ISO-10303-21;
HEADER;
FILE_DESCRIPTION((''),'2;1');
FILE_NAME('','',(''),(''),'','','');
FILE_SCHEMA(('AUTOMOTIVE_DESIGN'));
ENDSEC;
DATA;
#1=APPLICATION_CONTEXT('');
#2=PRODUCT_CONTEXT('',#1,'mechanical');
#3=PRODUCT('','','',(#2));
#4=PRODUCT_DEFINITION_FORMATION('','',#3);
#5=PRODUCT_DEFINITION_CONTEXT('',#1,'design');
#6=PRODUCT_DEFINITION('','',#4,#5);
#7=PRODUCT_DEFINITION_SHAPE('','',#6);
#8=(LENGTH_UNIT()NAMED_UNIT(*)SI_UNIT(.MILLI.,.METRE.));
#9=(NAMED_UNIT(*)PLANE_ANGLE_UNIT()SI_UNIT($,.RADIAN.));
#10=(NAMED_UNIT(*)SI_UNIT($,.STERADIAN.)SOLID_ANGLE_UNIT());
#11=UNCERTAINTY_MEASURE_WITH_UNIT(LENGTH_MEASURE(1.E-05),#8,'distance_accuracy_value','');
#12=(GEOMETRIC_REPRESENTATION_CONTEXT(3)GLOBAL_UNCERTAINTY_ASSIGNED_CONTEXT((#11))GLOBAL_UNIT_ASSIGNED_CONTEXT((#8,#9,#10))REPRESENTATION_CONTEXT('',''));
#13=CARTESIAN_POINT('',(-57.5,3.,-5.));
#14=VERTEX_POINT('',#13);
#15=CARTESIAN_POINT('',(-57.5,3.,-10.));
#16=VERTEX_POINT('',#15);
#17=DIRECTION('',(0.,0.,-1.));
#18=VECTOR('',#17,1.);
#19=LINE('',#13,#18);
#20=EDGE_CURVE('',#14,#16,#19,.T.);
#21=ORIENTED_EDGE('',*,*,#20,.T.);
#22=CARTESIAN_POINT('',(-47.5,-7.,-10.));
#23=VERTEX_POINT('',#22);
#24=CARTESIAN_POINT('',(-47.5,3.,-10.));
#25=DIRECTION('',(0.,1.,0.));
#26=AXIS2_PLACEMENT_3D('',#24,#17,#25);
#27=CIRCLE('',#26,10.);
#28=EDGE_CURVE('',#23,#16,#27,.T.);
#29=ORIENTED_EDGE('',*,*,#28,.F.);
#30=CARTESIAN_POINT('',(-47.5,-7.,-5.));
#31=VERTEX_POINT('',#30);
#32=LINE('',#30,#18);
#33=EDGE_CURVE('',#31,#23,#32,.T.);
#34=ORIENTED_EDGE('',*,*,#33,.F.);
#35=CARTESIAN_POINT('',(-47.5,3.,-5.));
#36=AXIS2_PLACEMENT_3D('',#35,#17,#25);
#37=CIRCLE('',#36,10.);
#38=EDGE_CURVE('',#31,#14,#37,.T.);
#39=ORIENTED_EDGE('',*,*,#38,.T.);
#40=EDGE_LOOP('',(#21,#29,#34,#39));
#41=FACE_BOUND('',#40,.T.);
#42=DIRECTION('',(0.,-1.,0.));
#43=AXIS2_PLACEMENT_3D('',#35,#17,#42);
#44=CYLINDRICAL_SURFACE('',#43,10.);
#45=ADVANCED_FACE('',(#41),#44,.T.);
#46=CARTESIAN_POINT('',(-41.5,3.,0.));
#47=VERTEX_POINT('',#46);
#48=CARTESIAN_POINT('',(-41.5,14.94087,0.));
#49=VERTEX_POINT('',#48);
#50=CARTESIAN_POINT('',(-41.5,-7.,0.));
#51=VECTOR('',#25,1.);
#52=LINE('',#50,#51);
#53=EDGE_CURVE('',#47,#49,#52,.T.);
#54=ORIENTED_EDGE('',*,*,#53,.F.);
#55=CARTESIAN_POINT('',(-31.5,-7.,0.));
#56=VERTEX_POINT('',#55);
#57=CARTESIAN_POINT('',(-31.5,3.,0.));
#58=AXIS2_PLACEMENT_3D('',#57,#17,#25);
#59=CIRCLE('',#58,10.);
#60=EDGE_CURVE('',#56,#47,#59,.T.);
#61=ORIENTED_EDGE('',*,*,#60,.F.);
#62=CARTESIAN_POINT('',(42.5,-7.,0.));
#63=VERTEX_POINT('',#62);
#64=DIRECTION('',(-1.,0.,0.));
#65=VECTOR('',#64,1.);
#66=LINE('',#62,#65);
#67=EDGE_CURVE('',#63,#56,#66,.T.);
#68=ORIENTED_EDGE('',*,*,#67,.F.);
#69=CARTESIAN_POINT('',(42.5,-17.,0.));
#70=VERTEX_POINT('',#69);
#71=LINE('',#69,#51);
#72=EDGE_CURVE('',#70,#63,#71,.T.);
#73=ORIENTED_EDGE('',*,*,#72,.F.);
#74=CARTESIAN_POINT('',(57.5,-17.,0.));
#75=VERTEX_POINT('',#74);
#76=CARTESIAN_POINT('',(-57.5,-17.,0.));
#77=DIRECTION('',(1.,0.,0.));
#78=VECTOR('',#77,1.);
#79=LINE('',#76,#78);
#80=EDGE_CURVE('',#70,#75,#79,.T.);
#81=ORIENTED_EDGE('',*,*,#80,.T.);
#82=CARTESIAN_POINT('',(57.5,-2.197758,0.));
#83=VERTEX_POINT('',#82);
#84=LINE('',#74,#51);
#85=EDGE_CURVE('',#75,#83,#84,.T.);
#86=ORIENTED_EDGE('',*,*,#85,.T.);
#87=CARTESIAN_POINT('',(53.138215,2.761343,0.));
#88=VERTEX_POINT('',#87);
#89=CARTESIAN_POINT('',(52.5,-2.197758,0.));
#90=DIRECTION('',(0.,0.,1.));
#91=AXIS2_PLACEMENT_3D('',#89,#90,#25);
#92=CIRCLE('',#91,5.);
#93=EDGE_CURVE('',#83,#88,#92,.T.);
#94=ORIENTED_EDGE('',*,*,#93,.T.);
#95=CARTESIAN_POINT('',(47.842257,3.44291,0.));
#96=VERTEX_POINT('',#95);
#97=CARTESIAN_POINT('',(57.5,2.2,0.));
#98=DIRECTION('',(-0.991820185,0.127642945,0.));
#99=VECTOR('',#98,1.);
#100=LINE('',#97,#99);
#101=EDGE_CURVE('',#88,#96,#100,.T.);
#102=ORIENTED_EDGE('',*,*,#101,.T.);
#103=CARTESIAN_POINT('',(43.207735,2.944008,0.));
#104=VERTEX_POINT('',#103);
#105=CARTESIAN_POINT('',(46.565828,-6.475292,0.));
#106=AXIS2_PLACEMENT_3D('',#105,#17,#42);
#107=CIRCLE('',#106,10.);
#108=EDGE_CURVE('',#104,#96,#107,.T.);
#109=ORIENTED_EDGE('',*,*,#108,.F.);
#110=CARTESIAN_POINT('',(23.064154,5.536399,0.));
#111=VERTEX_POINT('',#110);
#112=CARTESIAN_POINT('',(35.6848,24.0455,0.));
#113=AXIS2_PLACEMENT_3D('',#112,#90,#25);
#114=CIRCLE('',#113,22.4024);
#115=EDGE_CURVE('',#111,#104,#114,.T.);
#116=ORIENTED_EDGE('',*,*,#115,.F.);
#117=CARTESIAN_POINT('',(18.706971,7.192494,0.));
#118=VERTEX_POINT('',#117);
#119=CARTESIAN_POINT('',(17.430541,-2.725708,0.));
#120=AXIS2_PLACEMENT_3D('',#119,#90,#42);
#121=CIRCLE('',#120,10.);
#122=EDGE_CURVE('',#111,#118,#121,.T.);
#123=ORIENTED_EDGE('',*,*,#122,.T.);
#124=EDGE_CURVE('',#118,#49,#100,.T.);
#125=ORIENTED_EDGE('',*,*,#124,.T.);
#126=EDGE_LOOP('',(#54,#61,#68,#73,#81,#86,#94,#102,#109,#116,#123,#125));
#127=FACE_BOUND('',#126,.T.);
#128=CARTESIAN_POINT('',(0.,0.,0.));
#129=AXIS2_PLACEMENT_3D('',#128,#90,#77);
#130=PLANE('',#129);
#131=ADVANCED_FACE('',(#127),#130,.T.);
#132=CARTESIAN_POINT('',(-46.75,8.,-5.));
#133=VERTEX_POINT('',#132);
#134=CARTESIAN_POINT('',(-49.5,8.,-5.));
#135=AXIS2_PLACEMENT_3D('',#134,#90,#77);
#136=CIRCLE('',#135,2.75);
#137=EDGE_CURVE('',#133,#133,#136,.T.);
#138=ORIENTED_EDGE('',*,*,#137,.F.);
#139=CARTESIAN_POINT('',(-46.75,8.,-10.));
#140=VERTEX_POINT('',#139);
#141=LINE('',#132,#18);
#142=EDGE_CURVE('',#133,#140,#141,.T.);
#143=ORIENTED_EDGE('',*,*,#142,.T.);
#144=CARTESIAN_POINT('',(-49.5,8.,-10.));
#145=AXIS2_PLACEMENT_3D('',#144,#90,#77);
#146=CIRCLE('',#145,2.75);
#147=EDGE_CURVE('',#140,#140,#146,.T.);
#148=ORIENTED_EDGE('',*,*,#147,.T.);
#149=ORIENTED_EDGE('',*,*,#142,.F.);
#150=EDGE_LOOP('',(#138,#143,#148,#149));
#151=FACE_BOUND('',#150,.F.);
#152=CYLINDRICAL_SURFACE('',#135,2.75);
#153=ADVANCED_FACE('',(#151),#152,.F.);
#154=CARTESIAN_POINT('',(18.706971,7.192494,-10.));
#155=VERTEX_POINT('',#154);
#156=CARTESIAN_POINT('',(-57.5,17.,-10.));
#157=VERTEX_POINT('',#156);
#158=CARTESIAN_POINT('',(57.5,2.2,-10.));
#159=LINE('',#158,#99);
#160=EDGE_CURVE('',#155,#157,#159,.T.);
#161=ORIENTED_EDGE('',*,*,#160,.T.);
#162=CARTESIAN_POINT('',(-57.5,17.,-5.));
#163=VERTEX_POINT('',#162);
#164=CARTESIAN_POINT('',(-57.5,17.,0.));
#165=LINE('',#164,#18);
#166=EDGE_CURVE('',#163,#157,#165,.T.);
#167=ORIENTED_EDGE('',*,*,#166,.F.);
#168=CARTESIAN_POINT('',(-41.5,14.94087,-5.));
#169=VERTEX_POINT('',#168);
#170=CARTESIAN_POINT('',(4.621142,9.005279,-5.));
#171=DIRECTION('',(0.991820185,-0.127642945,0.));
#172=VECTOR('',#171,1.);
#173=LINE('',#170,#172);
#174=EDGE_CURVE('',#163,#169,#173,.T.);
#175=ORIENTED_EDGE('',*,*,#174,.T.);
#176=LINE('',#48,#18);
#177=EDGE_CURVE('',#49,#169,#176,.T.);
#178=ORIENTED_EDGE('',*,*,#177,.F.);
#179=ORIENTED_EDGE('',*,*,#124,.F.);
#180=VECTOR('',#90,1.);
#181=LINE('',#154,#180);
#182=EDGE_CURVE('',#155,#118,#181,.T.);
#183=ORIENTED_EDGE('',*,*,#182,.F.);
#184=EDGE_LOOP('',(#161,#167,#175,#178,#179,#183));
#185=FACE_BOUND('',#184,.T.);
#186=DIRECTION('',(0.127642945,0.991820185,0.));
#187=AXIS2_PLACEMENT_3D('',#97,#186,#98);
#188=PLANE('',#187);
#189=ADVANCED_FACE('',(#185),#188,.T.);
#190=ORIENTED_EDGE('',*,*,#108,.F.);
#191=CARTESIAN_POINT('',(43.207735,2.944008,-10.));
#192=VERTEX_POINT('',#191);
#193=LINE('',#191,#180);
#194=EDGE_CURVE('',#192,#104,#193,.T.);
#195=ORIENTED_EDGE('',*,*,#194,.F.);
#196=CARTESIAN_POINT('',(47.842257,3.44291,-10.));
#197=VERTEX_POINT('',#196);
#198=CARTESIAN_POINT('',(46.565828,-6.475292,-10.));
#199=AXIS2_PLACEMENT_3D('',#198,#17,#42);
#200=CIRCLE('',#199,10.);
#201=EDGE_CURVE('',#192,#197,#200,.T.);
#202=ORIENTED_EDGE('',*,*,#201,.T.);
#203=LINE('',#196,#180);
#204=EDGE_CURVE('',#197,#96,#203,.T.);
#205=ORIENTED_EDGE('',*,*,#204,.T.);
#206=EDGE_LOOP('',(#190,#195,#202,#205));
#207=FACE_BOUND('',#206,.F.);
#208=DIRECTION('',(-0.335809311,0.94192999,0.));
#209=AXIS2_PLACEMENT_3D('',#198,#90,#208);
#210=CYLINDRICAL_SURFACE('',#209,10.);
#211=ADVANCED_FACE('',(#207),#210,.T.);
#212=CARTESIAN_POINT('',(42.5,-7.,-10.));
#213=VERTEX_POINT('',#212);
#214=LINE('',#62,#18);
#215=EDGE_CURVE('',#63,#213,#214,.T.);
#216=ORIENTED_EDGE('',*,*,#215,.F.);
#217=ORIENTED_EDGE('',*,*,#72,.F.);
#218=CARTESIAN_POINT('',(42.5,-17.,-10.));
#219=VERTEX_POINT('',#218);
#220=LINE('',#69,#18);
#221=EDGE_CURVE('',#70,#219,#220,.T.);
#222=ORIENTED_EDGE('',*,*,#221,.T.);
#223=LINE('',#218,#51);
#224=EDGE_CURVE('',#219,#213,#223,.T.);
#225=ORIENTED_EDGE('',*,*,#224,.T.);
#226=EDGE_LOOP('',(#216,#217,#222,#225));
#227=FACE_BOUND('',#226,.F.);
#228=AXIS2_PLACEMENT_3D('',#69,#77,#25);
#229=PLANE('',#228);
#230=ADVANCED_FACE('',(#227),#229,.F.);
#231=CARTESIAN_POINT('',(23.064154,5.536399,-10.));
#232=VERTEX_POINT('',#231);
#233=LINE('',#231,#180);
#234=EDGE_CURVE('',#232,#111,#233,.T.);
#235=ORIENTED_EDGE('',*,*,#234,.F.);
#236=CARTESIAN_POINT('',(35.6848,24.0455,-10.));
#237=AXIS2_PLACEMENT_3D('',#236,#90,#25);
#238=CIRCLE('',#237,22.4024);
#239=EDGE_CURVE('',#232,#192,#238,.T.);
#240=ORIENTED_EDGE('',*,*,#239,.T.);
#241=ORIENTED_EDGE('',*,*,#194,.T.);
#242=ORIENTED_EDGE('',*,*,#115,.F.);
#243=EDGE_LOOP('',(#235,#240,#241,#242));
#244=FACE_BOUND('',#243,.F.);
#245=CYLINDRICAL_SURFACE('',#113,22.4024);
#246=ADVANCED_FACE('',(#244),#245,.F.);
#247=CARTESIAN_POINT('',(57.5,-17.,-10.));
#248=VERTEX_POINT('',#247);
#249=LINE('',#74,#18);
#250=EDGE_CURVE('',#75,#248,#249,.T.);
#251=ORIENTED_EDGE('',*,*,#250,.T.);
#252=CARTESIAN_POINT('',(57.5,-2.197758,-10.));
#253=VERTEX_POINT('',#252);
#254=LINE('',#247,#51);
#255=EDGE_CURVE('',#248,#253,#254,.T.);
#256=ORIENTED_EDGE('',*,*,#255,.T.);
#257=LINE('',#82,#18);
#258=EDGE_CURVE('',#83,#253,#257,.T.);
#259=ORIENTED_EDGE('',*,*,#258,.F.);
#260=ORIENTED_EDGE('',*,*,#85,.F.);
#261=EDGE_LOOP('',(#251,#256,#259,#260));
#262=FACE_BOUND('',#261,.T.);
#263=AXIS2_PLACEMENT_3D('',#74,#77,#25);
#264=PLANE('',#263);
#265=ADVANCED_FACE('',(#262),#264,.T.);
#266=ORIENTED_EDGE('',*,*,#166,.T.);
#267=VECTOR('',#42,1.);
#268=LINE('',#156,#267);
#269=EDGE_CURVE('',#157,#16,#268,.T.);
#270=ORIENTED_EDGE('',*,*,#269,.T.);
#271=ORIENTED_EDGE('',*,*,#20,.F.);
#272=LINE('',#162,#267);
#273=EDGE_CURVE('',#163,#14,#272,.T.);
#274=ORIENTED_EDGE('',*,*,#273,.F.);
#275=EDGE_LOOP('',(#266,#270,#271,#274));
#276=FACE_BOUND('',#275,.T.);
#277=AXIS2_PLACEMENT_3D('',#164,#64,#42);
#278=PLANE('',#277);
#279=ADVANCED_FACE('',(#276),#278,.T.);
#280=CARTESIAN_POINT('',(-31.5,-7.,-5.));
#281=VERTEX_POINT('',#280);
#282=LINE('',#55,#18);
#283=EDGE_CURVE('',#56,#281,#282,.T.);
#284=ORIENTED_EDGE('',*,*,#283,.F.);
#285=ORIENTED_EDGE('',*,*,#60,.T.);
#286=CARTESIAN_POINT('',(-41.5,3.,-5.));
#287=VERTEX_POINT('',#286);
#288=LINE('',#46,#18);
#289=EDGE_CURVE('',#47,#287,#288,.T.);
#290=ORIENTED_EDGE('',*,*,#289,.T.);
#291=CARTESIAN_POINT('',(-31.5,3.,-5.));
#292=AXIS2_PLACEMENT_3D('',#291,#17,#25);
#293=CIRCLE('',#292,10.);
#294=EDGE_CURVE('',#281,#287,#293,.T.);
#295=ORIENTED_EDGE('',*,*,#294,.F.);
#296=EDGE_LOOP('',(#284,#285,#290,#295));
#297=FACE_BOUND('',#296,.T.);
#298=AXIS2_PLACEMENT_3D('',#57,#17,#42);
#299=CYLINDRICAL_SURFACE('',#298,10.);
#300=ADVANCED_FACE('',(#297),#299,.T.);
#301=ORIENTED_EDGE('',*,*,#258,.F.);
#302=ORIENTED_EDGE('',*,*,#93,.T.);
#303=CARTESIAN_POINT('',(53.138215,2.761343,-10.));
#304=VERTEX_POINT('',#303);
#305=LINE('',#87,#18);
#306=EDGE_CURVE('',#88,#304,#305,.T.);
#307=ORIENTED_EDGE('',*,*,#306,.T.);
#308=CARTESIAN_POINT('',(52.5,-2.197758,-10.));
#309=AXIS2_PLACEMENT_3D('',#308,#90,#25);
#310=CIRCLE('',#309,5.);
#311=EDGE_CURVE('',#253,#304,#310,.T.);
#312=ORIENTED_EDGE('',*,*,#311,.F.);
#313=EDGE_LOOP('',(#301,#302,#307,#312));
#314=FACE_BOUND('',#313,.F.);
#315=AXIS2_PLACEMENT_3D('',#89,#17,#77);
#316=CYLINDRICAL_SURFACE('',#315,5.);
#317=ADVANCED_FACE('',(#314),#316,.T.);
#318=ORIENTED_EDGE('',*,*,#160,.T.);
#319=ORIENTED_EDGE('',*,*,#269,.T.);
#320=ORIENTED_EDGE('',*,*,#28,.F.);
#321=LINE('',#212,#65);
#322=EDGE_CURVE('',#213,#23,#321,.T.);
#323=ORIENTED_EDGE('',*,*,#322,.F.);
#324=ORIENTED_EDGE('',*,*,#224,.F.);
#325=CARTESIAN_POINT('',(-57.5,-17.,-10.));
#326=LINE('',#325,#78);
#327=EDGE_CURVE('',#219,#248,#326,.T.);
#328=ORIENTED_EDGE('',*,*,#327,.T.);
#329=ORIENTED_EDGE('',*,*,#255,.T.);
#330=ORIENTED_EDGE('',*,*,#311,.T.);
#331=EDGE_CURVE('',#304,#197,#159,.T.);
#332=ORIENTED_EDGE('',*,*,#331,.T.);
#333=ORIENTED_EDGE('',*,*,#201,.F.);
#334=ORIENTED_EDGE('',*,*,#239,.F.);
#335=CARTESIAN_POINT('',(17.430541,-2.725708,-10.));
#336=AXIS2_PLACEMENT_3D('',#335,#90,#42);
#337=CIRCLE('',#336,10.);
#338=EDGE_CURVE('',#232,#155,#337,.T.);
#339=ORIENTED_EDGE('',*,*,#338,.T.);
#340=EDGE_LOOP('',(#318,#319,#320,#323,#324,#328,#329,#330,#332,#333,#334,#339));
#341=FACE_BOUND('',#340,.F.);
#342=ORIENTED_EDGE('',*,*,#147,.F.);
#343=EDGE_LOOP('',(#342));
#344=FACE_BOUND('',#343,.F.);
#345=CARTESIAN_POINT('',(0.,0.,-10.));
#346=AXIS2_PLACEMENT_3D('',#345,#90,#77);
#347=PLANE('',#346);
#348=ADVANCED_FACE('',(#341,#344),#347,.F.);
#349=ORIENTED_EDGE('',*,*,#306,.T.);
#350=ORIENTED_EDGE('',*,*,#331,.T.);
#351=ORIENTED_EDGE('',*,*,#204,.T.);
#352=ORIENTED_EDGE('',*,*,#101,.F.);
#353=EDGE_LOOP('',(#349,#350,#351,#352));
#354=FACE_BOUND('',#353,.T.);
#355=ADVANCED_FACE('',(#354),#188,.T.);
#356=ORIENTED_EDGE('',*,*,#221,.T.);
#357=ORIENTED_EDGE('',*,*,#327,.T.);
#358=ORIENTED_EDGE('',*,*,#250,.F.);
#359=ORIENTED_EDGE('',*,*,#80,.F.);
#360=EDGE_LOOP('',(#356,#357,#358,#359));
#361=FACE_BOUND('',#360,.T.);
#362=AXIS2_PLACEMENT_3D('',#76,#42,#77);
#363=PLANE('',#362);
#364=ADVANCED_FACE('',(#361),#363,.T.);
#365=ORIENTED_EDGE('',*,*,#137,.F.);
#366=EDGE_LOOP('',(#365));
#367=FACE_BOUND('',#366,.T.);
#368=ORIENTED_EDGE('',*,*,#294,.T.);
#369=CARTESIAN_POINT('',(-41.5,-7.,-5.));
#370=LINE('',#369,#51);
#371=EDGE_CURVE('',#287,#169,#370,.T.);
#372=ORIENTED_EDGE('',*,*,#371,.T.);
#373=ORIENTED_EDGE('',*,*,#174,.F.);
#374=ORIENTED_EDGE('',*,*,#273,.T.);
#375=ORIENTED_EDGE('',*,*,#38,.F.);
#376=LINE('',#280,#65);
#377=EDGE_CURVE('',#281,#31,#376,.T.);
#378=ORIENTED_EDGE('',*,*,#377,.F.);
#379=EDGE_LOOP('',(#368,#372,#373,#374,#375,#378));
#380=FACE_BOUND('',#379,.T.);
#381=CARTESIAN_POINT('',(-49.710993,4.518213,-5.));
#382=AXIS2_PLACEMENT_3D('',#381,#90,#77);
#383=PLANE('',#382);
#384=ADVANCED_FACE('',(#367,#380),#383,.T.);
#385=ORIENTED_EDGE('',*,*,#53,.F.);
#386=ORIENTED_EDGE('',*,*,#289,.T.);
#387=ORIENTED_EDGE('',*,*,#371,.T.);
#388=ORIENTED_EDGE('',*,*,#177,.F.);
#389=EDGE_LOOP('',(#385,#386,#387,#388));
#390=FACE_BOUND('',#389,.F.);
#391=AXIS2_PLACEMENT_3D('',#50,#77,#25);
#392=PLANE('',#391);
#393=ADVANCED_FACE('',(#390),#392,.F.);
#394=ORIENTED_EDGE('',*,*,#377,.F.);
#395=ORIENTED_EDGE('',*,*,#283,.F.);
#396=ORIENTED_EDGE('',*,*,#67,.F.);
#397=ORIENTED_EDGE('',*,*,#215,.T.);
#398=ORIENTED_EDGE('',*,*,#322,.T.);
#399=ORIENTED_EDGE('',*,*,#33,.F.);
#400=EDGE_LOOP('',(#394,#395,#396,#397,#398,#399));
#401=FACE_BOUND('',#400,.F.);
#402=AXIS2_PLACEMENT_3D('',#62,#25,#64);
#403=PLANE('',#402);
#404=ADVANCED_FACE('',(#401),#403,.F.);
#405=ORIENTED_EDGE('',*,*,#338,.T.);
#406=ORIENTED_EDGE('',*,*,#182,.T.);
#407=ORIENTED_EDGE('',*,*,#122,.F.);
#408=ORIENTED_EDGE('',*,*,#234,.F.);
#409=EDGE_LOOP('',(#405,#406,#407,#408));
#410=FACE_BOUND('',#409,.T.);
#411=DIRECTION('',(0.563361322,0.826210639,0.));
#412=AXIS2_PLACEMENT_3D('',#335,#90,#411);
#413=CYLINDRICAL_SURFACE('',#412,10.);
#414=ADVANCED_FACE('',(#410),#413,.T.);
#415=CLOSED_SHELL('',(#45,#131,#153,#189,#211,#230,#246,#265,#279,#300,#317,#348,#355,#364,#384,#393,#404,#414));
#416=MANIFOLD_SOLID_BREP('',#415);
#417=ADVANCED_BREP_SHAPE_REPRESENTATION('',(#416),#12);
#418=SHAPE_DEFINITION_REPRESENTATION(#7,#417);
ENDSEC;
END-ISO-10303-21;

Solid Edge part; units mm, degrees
sketch "Sketch1" plane through (0, 0, 0) normal (0, 0, 1) x (1, 0, 0)
  line L0 (-57.5, -17) -> (57.5, -17)
  line L1 (57.5, -17) -> (57.5, 17)
  line L2 (57.5, 17) -> (-57.5, 17)
  line L3 (-57.5, 17) -> (-57.5, -17)
extrude "Protrusion1" add sketch "Sketch1" against normal blind 10
sketch "Sketch2" plane through (0, 0, 0) normal (0, 0, 1) x (1, 0, 0)
  line L0 (-57.5, -17) -> (42.5, -17)
  line L1 (42.5, -17) -> (42.5, -7)
  line L2 (42.5, -7) -> (-57.5, -7)
  line L3 (-57.5, -7) -> (-57.5, -17)
extrude "ExtrudedCutout_1" cut sketch "Sketch2" against normal blind 10
sketch "Sketch3" plane through (0, 0, 0) normal (0, 0, 1) x (1, 0, 0)
  line L0 (57.5, 2.2) -> (-57.5, 17)
  line L1 (-57.5, 17) -> (57.5, 17)
  line L2 (57.5, 17) -> (57.5, 2.2)
extrude "ExtrudedCutout_2" cut sketch "Sketch3" against normal blind 10
fillet "Round_1" radius 5 1 edges at (57.5, 2.2, -5)
sketch "Sketch4" plane through (0, 0, 0) normal (0, 0, 1) x (0, 1, 0)
  circle A0 centre (24.0455, -35.6848) radius 22.4024
extrude "ExtrudedCutout_3" cut sketch "Sketch4" against normal blind 10
fillet "Round_2" radius 10 1 edges at (45.2312, 3.7789, -5)
fillet "Round_3" radius 10 1 edges at (21.318, 6.8565, -5)
sketch "Sketch5" plane through (0, 0, 0) normal (0, 0, 1) x (1, 0, 0)
  line L0 (-57.5, -7) -> (-41.5, -7)
  line L1 (-41.5, -7) -> (-41.5, 14.9409)
  line L2 (-41.5, 14.9409) -> (-57.5, 17)
  line L3 (-57.5, 17) -> (-57.5, -7)
extrude "ExtrudedCutout_4" cut sketch "Sketch5" against normal blind 5
fillet "Round_4" radius 10 1 edges at (-41.5, -7, -2.5)
sketch "Sketch6" plane through (-44.5, 5, -5) normal (0, 0, 1) x (1, 0, 0)
  circle A0 centre (-5, 3) radius 2.75
extrude "ExtrudedCutout_6" cut sketch "Sketch6" against normal blind 5.5
fillet "Round_5" radius 10 1 edges at (-57.5, -7, -7.5)
